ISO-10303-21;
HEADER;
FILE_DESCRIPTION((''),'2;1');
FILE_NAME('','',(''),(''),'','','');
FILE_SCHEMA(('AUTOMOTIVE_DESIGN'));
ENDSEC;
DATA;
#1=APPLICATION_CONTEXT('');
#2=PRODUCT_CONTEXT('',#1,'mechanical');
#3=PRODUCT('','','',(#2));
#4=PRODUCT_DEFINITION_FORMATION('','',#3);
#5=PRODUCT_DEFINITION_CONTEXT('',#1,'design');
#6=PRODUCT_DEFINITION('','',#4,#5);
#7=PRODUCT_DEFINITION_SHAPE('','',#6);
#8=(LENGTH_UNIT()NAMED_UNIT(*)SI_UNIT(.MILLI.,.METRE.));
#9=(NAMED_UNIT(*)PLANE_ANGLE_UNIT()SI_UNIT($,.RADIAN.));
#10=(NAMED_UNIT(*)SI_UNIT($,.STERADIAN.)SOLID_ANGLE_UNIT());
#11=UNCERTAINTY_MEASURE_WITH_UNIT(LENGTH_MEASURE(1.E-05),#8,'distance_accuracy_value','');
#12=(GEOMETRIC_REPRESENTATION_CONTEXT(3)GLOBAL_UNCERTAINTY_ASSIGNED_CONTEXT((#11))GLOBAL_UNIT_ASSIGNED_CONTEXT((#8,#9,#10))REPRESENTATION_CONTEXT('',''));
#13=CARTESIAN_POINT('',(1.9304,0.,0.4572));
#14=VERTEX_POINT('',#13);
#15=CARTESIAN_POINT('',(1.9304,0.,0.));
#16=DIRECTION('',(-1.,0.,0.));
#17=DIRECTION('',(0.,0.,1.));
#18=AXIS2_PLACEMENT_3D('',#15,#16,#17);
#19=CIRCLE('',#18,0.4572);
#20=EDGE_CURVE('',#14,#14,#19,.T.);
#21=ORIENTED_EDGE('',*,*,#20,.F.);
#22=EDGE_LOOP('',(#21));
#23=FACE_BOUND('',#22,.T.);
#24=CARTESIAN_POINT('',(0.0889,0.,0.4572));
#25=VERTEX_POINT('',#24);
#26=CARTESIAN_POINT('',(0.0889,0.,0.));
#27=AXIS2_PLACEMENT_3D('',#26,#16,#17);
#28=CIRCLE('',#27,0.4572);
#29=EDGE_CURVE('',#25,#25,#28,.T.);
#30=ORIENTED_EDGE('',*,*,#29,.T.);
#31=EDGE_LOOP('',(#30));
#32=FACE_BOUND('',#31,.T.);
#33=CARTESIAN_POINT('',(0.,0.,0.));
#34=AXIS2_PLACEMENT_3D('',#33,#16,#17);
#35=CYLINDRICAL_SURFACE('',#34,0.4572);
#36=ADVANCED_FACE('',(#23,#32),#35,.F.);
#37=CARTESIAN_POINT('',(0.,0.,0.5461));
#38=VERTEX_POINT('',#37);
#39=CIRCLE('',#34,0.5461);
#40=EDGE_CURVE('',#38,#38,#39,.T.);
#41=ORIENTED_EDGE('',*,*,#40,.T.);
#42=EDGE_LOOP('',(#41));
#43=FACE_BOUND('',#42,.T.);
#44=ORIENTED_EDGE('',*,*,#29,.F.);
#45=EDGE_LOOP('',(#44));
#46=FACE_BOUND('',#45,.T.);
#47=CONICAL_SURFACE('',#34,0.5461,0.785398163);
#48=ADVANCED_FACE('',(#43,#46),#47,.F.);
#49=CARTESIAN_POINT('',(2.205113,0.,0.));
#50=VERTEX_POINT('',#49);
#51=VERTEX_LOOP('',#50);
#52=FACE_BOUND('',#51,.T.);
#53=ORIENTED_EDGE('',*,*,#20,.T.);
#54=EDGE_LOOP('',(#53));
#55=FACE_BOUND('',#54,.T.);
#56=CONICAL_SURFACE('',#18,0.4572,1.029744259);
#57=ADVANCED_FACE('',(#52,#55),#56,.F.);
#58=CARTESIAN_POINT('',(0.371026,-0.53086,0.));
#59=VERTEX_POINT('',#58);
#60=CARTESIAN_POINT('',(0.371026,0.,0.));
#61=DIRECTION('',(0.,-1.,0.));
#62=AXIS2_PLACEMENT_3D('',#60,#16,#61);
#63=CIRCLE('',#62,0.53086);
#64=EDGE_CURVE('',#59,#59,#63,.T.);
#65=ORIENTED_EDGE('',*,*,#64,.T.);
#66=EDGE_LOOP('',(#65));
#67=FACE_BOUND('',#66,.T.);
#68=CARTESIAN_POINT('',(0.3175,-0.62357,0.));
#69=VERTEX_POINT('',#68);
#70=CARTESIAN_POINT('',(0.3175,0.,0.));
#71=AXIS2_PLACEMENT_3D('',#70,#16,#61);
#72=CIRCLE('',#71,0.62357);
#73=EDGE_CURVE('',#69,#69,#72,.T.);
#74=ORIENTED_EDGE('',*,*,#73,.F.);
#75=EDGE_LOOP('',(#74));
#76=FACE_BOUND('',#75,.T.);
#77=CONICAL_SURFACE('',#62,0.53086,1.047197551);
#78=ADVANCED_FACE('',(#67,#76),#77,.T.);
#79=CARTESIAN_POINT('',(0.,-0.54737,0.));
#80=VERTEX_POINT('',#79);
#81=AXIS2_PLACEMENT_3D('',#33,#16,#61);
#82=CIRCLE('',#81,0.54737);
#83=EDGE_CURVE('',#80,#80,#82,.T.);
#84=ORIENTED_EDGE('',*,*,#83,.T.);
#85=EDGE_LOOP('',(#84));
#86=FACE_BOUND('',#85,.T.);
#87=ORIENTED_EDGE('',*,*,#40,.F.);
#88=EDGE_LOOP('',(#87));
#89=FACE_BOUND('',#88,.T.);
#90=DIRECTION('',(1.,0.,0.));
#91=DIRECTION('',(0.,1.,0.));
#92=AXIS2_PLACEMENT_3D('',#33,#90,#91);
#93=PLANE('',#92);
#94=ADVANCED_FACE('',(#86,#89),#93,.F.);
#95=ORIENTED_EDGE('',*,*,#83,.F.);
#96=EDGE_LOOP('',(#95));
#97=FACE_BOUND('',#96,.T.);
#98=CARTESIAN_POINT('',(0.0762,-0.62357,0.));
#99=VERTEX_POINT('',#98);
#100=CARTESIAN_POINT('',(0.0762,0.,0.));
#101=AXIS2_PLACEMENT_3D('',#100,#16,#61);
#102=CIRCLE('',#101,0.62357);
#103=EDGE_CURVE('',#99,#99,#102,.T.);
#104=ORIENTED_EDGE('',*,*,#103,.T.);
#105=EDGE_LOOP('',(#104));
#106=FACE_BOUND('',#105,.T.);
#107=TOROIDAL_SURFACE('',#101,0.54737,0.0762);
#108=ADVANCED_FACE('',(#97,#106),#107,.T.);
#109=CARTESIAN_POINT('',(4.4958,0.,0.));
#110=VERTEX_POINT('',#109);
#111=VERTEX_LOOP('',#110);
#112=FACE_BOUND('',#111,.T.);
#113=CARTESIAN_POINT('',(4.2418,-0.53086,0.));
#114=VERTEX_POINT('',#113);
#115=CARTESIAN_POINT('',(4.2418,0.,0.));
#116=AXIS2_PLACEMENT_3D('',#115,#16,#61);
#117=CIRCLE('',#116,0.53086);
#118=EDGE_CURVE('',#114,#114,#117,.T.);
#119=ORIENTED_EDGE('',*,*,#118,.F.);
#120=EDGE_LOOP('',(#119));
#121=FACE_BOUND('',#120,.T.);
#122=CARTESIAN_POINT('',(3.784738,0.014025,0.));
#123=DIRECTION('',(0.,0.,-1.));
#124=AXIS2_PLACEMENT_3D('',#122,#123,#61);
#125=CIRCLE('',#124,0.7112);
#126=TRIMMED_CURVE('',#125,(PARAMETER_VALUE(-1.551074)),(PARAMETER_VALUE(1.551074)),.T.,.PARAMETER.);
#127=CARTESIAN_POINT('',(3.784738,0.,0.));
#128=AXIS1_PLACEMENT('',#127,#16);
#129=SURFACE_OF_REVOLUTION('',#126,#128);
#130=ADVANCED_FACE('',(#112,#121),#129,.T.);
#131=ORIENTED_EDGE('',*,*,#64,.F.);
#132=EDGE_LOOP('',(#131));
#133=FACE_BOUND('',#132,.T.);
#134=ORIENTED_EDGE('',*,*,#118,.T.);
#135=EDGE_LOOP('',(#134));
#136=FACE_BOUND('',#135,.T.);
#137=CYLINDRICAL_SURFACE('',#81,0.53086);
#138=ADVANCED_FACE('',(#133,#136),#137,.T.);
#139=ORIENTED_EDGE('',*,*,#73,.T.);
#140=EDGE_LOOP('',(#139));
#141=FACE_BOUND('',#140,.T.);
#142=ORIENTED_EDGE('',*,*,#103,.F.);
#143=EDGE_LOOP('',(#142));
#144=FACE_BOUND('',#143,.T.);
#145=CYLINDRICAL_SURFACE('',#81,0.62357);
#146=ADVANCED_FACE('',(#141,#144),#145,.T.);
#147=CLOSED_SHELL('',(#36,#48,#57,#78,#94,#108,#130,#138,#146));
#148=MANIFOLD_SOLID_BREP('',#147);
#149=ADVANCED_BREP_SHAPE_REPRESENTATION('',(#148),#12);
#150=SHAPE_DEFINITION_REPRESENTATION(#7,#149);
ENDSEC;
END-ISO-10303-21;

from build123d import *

# Parameters (mm, degrees)
HOLE2_D           = 0.9144
HOLE2_DEPTH       = 1.9304
HOLE2_CSINK_D     = 1.0922
HOLE2_CSINK_ANGLE = 90
HOLE2_TIP         = 0.274713475


with BuildPart() as part:
    # Sketch1 → RevolutionAngle1 (revolve)
    with BuildSketch(Plane.XY):
        with BuildLine():
            Line((0, 0), (0, 0.54737))
            ThreePointArc((0, 0.54737), (0.022318463, 0.601251537), (0.0762, 0.62357))
            Line((0.0762, 0.62357), (0.3175, 0.62357))
            Line((0.3175, 0.62357), (0.371026143, 0.53086))
            Line((0.371026143, 0.53086), (4.2418, 0.53086))
            ThreePointArc((4.2418, 0.53086), (4.42628421, 0.292934407), (4.4958, 0))
            Line((4.4958, 0), (0, 0))
        make_face()
    revolve(axis=Axis((0, 0, 0), (1, 0, 0)))

    # Hole2
    with Locations(Plane(origin=(0, 0, 0), x_dir=(0, -1, 0), z_dir=(-1, 0, 0))):
        with Locations((0, 0)):
            CounterSinkHole(HOLE2_D / 2, HOLE2_CSINK_D / 2, depth=HOLE2_DEPTH, counter_sink_angle=HOLE2_CSINK_ANGLE)
            with Locations((0, 0, -(HOLE2_DEPTH + HOLE2_TIP / 2))):  # 118° drill point
                Cone(0, HOLE2_D / 2, HOLE2_TIP, mode=Mode.SUBTRACT)


solid = part.part
